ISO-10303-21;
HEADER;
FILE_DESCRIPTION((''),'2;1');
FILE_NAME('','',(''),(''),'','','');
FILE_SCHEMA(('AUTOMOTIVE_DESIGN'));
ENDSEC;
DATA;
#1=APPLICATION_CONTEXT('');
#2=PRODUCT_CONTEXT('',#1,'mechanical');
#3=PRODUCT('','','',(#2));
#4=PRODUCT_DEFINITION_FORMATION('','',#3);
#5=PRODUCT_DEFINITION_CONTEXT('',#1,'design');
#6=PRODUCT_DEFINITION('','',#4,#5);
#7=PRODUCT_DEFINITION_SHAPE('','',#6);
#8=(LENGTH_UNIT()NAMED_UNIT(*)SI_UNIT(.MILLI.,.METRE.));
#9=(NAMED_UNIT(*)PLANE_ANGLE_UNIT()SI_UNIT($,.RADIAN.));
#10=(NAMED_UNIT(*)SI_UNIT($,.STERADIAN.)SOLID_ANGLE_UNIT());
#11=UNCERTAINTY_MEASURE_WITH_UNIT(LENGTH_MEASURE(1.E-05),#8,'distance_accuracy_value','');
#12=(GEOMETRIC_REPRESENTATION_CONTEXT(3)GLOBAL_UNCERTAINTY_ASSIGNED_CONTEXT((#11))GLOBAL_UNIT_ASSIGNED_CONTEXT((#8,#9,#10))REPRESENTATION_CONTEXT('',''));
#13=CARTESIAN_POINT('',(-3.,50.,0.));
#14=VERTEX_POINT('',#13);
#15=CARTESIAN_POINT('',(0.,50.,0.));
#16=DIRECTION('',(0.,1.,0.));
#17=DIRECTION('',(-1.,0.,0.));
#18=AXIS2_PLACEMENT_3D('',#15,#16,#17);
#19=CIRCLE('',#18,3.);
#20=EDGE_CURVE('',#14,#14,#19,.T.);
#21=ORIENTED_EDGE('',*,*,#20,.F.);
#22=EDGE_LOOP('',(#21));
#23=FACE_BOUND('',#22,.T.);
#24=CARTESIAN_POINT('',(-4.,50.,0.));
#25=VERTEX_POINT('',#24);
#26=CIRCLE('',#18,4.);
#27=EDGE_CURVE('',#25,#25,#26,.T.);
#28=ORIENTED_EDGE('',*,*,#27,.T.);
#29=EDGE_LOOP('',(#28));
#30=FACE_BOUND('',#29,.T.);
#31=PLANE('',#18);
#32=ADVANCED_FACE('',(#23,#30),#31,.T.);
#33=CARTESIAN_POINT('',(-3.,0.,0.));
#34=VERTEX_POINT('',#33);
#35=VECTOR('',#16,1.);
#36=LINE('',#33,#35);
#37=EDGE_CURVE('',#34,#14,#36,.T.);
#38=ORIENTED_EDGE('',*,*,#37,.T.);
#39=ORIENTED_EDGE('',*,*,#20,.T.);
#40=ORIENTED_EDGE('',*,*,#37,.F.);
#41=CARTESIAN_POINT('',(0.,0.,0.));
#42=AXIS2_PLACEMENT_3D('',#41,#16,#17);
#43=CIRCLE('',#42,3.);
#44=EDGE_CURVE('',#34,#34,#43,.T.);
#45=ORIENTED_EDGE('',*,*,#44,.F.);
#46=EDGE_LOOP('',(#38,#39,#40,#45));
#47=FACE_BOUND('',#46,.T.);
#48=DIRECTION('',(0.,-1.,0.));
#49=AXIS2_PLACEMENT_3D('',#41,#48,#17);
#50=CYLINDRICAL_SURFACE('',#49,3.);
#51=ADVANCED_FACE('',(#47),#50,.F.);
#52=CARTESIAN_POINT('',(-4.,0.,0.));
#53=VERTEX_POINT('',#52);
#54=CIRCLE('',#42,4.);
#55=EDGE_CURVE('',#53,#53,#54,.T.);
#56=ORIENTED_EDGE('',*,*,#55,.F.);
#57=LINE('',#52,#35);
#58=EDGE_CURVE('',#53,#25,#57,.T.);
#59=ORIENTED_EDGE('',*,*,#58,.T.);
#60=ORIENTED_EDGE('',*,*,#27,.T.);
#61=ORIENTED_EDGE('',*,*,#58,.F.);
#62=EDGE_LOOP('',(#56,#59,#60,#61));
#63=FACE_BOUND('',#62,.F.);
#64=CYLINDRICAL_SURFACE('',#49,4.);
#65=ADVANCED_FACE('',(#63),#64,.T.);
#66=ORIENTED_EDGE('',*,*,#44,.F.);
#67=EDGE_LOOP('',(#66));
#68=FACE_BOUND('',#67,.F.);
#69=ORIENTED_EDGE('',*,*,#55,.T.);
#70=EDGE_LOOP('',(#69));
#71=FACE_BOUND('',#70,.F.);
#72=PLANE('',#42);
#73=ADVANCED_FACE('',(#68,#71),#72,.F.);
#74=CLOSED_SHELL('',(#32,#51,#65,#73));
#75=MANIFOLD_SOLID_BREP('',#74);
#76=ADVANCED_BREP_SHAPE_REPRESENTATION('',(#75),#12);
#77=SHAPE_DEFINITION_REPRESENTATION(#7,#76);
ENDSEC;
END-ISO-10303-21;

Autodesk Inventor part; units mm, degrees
ref_plane "YZ Plane" through (0, 0, 0) normal (1, 0, 0) x (0, 1, 0)
ref_plane "XZ Plane" through (0, 0, 0) normal (0, 1, 0) x (-1, 0, 0)
ref_plane "XY Plane" through (0, 0, 0) normal (0, 0, 1) x (1, 0, 0)
sketch "Sketch1" plane through (0, 0, 0) normal (0, 1, 0) x (-1, 0, 0)
  circle A0 centre (0, 0) radius 3
  circle A1 centre (0, 0) radius 4
  dimension "d0" = 6
  dimension "d1" = 8
extrude "Extrusion1" add sketch "Sketch1" along normal blind 50
